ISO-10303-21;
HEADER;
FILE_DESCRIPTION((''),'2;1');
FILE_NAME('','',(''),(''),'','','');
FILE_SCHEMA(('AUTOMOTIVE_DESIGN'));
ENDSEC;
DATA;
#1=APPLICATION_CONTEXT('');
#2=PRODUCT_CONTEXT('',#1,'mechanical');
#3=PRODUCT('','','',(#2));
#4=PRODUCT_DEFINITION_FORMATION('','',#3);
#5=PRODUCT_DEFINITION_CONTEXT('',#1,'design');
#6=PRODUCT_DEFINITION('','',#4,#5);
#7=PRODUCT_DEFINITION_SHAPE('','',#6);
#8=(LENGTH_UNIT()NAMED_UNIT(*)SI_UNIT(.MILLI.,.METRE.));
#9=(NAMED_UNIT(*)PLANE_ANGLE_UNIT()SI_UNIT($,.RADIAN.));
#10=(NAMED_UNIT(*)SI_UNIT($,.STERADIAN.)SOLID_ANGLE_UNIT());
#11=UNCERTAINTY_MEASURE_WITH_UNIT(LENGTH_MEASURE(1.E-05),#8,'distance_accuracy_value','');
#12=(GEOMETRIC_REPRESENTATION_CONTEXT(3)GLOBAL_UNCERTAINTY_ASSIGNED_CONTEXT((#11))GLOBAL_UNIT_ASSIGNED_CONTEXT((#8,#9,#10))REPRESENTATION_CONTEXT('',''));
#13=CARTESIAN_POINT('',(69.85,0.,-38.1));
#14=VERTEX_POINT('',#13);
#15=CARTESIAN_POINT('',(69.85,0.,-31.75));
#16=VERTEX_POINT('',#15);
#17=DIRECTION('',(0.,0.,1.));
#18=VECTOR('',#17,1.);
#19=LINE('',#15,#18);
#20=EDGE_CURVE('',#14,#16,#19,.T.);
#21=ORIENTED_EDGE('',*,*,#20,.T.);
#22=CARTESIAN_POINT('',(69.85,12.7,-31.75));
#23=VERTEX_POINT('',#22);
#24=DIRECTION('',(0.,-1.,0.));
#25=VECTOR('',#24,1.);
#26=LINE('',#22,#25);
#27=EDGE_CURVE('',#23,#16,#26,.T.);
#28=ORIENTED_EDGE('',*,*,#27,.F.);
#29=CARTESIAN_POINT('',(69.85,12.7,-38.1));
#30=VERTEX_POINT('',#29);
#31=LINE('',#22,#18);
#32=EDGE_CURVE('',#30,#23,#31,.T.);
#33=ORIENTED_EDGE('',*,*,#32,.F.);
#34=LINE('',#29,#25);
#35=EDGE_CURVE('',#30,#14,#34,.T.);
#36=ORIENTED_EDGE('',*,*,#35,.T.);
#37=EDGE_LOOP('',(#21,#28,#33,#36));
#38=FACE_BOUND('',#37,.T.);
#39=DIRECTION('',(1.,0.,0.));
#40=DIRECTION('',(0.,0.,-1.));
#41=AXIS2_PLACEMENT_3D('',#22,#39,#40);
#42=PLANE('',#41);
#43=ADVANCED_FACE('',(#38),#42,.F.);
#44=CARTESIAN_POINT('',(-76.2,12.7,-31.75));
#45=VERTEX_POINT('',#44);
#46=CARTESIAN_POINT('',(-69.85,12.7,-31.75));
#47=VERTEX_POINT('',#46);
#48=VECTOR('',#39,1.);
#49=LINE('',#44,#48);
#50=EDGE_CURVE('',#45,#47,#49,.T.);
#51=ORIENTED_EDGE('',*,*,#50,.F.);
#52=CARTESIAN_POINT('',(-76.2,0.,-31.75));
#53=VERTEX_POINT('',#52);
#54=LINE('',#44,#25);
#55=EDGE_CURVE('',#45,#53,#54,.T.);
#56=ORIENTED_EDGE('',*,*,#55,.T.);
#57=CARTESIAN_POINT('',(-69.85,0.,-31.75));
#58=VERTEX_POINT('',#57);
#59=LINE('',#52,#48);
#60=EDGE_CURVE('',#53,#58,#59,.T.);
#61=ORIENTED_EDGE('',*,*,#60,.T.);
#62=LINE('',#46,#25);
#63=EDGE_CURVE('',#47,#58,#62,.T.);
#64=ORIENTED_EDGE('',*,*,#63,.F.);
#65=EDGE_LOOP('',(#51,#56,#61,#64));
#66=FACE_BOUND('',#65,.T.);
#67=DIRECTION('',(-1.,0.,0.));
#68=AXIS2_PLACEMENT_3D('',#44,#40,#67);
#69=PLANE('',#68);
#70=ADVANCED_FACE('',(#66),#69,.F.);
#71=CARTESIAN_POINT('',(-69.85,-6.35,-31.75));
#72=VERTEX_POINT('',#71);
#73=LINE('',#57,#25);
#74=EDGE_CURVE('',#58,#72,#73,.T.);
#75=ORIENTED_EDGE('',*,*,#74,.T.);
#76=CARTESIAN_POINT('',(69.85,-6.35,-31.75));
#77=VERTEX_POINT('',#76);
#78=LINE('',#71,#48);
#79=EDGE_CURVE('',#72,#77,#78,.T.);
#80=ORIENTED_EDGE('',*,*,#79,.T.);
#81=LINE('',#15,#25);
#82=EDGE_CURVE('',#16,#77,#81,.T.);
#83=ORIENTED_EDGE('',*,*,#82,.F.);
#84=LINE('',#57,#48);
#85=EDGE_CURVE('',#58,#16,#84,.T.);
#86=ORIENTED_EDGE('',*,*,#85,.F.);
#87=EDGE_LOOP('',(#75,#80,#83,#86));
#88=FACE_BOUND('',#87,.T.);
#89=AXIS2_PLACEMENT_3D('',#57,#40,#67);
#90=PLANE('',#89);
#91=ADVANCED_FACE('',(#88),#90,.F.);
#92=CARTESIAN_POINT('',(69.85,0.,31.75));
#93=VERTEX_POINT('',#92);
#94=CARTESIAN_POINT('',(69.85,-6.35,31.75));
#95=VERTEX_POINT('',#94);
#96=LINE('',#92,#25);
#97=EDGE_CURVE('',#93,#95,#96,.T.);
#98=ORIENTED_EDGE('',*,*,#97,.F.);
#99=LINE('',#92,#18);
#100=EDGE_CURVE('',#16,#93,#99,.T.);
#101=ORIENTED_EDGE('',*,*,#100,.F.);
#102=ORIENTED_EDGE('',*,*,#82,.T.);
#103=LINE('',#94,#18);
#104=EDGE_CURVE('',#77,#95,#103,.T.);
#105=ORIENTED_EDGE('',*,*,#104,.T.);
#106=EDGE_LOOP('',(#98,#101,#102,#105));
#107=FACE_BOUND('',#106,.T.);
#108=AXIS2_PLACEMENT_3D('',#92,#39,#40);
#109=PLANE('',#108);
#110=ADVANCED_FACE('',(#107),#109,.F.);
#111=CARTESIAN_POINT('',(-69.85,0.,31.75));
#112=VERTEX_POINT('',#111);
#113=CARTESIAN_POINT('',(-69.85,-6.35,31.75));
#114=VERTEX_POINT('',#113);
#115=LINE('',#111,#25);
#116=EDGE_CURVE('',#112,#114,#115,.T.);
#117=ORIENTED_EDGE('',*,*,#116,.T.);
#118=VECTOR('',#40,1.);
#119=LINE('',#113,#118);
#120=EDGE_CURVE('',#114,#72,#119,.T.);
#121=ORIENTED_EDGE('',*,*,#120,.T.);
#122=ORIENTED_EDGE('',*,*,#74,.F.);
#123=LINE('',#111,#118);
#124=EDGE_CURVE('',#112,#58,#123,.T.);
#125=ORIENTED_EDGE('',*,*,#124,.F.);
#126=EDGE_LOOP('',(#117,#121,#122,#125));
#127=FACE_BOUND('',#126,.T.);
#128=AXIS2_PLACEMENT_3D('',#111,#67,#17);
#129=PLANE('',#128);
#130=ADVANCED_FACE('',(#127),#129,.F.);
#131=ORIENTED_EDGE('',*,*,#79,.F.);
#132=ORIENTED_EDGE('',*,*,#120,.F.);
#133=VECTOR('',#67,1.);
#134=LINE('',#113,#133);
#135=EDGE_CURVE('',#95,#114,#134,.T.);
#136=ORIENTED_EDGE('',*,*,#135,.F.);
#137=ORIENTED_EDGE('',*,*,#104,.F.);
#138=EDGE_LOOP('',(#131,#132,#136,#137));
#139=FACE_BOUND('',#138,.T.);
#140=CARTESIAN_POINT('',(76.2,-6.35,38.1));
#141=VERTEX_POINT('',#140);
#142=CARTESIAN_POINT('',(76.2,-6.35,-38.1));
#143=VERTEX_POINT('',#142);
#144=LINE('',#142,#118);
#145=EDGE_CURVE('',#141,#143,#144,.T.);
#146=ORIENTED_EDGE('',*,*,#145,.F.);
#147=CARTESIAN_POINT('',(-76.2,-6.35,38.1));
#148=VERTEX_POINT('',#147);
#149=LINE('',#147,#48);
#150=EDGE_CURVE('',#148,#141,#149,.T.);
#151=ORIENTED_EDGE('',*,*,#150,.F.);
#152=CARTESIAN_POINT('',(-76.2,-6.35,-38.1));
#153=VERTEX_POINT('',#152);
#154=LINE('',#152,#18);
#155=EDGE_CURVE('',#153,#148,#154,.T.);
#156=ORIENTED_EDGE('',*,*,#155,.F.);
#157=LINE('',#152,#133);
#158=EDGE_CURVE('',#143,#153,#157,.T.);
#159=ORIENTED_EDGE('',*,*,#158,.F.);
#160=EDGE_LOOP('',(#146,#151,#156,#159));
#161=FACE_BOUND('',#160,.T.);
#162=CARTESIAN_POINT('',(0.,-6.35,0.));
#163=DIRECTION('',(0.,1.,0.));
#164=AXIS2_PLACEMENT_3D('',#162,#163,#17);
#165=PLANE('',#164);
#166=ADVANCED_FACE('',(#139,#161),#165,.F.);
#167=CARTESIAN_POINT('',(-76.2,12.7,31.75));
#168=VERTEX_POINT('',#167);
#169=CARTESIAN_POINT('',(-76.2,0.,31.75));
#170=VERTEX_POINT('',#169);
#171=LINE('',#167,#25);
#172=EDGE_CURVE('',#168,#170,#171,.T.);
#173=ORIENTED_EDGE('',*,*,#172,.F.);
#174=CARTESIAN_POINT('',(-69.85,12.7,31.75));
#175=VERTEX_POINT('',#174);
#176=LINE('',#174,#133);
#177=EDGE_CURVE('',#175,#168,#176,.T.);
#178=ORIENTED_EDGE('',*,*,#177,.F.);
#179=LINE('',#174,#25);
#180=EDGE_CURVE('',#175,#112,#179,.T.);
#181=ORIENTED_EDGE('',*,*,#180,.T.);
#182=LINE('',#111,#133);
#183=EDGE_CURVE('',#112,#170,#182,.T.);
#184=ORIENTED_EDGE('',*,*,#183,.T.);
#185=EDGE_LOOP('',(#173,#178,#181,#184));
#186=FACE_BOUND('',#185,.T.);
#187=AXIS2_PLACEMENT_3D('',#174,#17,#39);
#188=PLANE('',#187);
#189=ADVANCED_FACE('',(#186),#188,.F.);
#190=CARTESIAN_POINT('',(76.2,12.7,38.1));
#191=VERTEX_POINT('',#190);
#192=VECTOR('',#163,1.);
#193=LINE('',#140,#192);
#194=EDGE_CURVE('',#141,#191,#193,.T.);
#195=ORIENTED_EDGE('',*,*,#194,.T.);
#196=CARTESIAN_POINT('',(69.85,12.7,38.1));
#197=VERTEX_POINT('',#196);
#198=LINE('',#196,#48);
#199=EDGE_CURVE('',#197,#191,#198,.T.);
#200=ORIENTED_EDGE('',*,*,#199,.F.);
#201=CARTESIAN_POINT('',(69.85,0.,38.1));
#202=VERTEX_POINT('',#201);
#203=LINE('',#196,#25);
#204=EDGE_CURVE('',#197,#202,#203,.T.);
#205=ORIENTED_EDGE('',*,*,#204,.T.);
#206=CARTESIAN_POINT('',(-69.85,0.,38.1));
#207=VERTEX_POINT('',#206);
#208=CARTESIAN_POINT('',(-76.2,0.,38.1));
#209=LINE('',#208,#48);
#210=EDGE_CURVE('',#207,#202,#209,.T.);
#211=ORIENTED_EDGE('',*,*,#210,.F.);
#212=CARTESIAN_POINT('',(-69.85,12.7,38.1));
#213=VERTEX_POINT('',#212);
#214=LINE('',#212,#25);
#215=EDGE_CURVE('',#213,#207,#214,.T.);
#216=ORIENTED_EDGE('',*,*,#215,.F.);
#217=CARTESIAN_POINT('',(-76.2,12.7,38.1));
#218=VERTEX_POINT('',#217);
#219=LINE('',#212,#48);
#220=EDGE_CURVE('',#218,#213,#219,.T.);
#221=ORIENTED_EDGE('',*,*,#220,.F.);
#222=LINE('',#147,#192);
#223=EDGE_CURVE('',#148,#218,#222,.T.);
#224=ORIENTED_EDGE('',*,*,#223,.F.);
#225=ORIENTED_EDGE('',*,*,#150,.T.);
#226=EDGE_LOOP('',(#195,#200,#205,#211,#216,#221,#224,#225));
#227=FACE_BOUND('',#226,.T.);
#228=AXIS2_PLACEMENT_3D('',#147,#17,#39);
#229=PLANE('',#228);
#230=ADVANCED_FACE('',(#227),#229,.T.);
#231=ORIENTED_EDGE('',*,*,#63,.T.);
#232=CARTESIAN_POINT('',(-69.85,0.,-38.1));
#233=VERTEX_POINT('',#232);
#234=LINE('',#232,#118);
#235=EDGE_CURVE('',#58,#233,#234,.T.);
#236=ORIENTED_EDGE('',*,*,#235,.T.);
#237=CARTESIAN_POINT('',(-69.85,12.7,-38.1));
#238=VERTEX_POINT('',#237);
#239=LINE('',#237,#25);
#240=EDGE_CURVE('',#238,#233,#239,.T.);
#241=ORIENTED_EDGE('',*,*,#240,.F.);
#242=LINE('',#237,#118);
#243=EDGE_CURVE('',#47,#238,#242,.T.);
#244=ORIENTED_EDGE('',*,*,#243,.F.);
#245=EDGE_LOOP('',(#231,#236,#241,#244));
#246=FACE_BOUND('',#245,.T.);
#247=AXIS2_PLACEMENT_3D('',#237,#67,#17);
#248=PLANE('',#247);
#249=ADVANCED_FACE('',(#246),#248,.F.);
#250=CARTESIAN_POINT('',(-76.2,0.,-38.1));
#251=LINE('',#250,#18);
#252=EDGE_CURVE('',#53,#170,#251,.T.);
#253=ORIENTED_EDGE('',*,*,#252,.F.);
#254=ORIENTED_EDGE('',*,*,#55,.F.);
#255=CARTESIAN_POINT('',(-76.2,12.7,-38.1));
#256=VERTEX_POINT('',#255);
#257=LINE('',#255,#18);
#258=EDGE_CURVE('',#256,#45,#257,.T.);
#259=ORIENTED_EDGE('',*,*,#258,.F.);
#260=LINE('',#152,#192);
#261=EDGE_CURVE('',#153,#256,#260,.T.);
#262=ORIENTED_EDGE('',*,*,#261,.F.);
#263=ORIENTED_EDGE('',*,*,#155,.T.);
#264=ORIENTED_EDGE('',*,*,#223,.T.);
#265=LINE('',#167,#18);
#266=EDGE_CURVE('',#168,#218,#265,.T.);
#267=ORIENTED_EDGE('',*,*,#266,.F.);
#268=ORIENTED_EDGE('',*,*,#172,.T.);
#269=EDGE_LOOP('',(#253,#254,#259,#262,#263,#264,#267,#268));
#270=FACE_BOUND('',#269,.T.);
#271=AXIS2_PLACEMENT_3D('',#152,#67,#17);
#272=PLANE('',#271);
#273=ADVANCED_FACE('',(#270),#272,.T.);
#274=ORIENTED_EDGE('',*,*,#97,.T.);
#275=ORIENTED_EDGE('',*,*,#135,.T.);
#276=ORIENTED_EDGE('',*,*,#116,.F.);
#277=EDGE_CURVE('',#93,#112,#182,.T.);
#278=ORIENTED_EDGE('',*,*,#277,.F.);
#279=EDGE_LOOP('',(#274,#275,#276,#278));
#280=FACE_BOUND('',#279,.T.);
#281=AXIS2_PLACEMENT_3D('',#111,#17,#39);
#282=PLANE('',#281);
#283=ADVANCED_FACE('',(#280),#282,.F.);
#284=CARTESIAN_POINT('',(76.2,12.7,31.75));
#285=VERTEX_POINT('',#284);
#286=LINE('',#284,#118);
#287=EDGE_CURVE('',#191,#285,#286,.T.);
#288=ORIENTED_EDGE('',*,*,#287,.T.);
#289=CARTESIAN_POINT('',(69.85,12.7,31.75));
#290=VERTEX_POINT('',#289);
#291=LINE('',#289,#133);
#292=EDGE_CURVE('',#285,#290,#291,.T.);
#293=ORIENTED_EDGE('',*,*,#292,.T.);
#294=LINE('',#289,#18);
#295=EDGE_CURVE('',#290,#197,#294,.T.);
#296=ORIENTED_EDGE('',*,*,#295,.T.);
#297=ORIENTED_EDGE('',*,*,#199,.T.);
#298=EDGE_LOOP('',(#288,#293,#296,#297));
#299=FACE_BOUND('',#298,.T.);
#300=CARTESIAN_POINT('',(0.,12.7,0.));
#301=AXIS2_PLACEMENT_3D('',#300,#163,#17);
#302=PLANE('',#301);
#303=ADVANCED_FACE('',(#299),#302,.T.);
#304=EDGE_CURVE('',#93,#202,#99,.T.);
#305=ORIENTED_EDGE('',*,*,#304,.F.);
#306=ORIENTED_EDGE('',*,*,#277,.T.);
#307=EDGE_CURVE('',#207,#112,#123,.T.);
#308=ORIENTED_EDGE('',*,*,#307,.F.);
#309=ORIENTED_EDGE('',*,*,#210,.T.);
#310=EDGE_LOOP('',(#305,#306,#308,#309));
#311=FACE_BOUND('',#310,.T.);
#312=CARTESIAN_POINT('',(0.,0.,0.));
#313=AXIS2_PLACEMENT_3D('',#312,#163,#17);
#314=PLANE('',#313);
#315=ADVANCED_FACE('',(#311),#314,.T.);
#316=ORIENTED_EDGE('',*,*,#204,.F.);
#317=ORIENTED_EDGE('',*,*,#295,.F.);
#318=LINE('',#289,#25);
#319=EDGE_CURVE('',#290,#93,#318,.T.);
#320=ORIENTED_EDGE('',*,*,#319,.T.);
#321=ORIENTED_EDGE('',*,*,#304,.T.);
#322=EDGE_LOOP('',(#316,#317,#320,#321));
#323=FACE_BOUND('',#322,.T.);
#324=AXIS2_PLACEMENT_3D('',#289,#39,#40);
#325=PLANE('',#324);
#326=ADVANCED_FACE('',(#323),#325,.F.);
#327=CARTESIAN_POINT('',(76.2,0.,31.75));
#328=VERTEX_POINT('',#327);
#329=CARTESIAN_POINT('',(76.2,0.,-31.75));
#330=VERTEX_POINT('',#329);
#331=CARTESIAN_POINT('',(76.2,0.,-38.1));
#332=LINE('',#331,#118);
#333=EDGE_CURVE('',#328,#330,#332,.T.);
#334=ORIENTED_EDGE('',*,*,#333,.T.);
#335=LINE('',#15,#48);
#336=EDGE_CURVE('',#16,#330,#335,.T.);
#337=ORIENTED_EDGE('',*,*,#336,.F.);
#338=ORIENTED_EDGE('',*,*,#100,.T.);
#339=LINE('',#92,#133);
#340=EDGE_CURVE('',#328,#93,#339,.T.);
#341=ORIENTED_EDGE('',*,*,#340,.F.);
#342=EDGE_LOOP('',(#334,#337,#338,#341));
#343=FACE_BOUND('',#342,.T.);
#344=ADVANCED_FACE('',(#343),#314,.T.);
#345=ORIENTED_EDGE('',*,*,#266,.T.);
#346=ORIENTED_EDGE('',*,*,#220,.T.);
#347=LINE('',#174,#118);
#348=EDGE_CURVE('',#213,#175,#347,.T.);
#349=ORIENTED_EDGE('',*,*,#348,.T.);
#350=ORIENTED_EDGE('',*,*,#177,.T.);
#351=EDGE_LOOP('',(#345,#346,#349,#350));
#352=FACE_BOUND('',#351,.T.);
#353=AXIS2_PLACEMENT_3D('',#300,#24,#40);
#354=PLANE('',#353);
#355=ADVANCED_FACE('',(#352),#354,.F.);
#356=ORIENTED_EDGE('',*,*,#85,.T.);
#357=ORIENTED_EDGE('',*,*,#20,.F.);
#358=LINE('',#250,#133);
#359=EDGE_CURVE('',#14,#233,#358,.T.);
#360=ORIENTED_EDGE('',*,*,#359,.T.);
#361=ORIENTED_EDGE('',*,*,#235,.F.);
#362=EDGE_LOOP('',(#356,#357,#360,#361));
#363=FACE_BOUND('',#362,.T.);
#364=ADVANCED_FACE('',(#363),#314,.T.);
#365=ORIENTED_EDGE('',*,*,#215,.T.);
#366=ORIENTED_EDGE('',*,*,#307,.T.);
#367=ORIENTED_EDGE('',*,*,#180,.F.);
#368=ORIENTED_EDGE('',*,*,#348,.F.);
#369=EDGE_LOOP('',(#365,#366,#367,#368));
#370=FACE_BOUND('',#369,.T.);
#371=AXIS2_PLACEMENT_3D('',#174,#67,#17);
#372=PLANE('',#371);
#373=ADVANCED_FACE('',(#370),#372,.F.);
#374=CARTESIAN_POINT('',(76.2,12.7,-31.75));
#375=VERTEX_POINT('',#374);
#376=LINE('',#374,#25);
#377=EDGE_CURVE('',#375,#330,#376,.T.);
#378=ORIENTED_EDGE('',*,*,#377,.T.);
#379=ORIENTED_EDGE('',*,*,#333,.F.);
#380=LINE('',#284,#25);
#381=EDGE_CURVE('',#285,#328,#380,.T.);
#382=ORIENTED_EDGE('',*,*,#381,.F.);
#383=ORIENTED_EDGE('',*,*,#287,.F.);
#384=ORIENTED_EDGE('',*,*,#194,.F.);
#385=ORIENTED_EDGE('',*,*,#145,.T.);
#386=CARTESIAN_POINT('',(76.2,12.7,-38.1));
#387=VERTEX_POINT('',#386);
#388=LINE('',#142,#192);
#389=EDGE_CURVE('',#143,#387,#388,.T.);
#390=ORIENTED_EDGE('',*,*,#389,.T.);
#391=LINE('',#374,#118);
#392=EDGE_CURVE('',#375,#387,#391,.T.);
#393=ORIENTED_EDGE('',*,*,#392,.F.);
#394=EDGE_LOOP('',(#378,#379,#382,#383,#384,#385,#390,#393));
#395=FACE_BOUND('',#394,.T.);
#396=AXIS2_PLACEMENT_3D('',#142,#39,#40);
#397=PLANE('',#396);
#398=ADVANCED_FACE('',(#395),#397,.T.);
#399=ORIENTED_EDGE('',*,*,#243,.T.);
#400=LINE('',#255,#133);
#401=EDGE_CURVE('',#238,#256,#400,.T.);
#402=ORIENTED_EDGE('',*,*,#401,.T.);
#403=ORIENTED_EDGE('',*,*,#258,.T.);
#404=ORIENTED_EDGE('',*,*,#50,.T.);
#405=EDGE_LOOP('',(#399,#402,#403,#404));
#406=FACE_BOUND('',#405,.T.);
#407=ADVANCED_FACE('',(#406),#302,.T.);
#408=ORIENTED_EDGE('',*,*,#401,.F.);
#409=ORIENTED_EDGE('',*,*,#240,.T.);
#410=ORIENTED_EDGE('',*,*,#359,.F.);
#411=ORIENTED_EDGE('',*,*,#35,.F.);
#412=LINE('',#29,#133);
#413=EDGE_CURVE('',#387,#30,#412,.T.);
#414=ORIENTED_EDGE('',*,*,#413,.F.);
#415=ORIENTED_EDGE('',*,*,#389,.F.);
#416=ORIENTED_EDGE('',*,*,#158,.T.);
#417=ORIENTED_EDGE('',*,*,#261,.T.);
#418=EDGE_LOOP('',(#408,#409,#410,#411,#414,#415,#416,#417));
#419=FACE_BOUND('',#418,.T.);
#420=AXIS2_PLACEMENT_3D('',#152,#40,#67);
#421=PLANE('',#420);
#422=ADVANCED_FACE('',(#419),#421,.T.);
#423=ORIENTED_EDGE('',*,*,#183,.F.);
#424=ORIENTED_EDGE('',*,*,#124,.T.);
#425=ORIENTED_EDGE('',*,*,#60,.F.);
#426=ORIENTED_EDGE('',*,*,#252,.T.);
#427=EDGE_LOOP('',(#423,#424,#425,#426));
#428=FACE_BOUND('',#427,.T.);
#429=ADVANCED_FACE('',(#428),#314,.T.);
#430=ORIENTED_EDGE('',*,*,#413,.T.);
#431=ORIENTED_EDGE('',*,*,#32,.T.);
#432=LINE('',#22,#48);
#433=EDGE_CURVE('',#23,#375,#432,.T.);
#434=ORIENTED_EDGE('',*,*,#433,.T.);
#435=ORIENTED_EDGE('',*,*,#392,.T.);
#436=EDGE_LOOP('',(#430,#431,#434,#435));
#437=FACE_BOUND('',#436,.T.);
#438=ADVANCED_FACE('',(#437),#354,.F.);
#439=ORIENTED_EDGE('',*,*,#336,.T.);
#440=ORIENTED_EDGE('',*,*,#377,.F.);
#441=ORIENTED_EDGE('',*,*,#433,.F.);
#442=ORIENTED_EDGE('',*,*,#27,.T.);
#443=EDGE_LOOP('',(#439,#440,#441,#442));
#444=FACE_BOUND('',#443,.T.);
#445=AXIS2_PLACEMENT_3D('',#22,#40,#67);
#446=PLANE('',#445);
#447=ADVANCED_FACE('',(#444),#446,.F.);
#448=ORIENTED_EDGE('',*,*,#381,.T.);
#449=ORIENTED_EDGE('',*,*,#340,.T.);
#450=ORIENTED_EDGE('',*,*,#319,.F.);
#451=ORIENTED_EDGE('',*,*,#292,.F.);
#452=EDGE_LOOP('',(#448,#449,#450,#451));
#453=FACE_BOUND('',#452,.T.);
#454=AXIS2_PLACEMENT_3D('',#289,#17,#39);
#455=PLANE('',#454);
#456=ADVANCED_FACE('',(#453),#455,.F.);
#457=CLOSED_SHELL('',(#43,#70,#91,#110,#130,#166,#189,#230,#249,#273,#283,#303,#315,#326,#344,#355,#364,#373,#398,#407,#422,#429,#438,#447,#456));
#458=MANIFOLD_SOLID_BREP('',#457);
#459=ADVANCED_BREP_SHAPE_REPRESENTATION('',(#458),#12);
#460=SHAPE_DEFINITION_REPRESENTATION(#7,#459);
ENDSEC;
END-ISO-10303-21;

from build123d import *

# Parameters (mm, degrees)
SKETCH2_W           = 152.4
SKETCH2_H           = 76.2
BOSS_EXTRUDE2_DEPTH = 6.35
SKETCH3_W           = 139.7
SKETCH3_H           = 63.5
CUT_EXTRUDE1_DEPTH  = 6.35
SKETCH4_W           = 6.35
SKETCH4_H           = 6.35
BOSS_EXTRUDE3_DEPTH = 12.7


with BuildPart() as part:
    # Sketch2 → Boss-Extrude2 (new body)
    with BuildSketch(Plane(origin=(0, 0, 0), x_dir=(1, 0, 0), z_dir=(0, 1, 0))):
        Rectangle(SKETCH2_W, SKETCH2_H)
    extrude(amount=-BOSS_EXTRUDE2_DEPTH)

    # Sketch3 → Cut-Extrude1 (cut)
    with BuildSketch(Plane(origin=(0, -6.35, 0), x_dir=(-1, 0, 0), z_dir=(0, -1, 0))):
        Rectangle(SKETCH3_W, SKETCH3_H)
    extrude(amount=-CUT_EXTRUDE1_DEPTH, mode=Mode.SUBTRACT)

    # Sketch4 → Boss-Extrude3 (add)
    with BuildSketch(Plane(origin=(0, 0, 0), x_dir=(1, 0, 0), z_dir=(0, 1, 0))):
        with Locations((-73.025, 34.925)):
            Rectangle(SKETCH4_W, SKETCH4_H)
        with Locations((-73.025, -34.925)):
            Rectangle(SKETCH4_W, SKETCH4_H)
        with Locations((73.025, -34.925)):
            Rectangle(SKETCH4_W, SKETCH4_H)
        with Locations((73.025, 34.925)):
            Rectangle(SKETCH4_W, SKETCH4_H)
    extrude(amount=BOSS_EXTRUDE3_DEPTH)


solid = part.part
